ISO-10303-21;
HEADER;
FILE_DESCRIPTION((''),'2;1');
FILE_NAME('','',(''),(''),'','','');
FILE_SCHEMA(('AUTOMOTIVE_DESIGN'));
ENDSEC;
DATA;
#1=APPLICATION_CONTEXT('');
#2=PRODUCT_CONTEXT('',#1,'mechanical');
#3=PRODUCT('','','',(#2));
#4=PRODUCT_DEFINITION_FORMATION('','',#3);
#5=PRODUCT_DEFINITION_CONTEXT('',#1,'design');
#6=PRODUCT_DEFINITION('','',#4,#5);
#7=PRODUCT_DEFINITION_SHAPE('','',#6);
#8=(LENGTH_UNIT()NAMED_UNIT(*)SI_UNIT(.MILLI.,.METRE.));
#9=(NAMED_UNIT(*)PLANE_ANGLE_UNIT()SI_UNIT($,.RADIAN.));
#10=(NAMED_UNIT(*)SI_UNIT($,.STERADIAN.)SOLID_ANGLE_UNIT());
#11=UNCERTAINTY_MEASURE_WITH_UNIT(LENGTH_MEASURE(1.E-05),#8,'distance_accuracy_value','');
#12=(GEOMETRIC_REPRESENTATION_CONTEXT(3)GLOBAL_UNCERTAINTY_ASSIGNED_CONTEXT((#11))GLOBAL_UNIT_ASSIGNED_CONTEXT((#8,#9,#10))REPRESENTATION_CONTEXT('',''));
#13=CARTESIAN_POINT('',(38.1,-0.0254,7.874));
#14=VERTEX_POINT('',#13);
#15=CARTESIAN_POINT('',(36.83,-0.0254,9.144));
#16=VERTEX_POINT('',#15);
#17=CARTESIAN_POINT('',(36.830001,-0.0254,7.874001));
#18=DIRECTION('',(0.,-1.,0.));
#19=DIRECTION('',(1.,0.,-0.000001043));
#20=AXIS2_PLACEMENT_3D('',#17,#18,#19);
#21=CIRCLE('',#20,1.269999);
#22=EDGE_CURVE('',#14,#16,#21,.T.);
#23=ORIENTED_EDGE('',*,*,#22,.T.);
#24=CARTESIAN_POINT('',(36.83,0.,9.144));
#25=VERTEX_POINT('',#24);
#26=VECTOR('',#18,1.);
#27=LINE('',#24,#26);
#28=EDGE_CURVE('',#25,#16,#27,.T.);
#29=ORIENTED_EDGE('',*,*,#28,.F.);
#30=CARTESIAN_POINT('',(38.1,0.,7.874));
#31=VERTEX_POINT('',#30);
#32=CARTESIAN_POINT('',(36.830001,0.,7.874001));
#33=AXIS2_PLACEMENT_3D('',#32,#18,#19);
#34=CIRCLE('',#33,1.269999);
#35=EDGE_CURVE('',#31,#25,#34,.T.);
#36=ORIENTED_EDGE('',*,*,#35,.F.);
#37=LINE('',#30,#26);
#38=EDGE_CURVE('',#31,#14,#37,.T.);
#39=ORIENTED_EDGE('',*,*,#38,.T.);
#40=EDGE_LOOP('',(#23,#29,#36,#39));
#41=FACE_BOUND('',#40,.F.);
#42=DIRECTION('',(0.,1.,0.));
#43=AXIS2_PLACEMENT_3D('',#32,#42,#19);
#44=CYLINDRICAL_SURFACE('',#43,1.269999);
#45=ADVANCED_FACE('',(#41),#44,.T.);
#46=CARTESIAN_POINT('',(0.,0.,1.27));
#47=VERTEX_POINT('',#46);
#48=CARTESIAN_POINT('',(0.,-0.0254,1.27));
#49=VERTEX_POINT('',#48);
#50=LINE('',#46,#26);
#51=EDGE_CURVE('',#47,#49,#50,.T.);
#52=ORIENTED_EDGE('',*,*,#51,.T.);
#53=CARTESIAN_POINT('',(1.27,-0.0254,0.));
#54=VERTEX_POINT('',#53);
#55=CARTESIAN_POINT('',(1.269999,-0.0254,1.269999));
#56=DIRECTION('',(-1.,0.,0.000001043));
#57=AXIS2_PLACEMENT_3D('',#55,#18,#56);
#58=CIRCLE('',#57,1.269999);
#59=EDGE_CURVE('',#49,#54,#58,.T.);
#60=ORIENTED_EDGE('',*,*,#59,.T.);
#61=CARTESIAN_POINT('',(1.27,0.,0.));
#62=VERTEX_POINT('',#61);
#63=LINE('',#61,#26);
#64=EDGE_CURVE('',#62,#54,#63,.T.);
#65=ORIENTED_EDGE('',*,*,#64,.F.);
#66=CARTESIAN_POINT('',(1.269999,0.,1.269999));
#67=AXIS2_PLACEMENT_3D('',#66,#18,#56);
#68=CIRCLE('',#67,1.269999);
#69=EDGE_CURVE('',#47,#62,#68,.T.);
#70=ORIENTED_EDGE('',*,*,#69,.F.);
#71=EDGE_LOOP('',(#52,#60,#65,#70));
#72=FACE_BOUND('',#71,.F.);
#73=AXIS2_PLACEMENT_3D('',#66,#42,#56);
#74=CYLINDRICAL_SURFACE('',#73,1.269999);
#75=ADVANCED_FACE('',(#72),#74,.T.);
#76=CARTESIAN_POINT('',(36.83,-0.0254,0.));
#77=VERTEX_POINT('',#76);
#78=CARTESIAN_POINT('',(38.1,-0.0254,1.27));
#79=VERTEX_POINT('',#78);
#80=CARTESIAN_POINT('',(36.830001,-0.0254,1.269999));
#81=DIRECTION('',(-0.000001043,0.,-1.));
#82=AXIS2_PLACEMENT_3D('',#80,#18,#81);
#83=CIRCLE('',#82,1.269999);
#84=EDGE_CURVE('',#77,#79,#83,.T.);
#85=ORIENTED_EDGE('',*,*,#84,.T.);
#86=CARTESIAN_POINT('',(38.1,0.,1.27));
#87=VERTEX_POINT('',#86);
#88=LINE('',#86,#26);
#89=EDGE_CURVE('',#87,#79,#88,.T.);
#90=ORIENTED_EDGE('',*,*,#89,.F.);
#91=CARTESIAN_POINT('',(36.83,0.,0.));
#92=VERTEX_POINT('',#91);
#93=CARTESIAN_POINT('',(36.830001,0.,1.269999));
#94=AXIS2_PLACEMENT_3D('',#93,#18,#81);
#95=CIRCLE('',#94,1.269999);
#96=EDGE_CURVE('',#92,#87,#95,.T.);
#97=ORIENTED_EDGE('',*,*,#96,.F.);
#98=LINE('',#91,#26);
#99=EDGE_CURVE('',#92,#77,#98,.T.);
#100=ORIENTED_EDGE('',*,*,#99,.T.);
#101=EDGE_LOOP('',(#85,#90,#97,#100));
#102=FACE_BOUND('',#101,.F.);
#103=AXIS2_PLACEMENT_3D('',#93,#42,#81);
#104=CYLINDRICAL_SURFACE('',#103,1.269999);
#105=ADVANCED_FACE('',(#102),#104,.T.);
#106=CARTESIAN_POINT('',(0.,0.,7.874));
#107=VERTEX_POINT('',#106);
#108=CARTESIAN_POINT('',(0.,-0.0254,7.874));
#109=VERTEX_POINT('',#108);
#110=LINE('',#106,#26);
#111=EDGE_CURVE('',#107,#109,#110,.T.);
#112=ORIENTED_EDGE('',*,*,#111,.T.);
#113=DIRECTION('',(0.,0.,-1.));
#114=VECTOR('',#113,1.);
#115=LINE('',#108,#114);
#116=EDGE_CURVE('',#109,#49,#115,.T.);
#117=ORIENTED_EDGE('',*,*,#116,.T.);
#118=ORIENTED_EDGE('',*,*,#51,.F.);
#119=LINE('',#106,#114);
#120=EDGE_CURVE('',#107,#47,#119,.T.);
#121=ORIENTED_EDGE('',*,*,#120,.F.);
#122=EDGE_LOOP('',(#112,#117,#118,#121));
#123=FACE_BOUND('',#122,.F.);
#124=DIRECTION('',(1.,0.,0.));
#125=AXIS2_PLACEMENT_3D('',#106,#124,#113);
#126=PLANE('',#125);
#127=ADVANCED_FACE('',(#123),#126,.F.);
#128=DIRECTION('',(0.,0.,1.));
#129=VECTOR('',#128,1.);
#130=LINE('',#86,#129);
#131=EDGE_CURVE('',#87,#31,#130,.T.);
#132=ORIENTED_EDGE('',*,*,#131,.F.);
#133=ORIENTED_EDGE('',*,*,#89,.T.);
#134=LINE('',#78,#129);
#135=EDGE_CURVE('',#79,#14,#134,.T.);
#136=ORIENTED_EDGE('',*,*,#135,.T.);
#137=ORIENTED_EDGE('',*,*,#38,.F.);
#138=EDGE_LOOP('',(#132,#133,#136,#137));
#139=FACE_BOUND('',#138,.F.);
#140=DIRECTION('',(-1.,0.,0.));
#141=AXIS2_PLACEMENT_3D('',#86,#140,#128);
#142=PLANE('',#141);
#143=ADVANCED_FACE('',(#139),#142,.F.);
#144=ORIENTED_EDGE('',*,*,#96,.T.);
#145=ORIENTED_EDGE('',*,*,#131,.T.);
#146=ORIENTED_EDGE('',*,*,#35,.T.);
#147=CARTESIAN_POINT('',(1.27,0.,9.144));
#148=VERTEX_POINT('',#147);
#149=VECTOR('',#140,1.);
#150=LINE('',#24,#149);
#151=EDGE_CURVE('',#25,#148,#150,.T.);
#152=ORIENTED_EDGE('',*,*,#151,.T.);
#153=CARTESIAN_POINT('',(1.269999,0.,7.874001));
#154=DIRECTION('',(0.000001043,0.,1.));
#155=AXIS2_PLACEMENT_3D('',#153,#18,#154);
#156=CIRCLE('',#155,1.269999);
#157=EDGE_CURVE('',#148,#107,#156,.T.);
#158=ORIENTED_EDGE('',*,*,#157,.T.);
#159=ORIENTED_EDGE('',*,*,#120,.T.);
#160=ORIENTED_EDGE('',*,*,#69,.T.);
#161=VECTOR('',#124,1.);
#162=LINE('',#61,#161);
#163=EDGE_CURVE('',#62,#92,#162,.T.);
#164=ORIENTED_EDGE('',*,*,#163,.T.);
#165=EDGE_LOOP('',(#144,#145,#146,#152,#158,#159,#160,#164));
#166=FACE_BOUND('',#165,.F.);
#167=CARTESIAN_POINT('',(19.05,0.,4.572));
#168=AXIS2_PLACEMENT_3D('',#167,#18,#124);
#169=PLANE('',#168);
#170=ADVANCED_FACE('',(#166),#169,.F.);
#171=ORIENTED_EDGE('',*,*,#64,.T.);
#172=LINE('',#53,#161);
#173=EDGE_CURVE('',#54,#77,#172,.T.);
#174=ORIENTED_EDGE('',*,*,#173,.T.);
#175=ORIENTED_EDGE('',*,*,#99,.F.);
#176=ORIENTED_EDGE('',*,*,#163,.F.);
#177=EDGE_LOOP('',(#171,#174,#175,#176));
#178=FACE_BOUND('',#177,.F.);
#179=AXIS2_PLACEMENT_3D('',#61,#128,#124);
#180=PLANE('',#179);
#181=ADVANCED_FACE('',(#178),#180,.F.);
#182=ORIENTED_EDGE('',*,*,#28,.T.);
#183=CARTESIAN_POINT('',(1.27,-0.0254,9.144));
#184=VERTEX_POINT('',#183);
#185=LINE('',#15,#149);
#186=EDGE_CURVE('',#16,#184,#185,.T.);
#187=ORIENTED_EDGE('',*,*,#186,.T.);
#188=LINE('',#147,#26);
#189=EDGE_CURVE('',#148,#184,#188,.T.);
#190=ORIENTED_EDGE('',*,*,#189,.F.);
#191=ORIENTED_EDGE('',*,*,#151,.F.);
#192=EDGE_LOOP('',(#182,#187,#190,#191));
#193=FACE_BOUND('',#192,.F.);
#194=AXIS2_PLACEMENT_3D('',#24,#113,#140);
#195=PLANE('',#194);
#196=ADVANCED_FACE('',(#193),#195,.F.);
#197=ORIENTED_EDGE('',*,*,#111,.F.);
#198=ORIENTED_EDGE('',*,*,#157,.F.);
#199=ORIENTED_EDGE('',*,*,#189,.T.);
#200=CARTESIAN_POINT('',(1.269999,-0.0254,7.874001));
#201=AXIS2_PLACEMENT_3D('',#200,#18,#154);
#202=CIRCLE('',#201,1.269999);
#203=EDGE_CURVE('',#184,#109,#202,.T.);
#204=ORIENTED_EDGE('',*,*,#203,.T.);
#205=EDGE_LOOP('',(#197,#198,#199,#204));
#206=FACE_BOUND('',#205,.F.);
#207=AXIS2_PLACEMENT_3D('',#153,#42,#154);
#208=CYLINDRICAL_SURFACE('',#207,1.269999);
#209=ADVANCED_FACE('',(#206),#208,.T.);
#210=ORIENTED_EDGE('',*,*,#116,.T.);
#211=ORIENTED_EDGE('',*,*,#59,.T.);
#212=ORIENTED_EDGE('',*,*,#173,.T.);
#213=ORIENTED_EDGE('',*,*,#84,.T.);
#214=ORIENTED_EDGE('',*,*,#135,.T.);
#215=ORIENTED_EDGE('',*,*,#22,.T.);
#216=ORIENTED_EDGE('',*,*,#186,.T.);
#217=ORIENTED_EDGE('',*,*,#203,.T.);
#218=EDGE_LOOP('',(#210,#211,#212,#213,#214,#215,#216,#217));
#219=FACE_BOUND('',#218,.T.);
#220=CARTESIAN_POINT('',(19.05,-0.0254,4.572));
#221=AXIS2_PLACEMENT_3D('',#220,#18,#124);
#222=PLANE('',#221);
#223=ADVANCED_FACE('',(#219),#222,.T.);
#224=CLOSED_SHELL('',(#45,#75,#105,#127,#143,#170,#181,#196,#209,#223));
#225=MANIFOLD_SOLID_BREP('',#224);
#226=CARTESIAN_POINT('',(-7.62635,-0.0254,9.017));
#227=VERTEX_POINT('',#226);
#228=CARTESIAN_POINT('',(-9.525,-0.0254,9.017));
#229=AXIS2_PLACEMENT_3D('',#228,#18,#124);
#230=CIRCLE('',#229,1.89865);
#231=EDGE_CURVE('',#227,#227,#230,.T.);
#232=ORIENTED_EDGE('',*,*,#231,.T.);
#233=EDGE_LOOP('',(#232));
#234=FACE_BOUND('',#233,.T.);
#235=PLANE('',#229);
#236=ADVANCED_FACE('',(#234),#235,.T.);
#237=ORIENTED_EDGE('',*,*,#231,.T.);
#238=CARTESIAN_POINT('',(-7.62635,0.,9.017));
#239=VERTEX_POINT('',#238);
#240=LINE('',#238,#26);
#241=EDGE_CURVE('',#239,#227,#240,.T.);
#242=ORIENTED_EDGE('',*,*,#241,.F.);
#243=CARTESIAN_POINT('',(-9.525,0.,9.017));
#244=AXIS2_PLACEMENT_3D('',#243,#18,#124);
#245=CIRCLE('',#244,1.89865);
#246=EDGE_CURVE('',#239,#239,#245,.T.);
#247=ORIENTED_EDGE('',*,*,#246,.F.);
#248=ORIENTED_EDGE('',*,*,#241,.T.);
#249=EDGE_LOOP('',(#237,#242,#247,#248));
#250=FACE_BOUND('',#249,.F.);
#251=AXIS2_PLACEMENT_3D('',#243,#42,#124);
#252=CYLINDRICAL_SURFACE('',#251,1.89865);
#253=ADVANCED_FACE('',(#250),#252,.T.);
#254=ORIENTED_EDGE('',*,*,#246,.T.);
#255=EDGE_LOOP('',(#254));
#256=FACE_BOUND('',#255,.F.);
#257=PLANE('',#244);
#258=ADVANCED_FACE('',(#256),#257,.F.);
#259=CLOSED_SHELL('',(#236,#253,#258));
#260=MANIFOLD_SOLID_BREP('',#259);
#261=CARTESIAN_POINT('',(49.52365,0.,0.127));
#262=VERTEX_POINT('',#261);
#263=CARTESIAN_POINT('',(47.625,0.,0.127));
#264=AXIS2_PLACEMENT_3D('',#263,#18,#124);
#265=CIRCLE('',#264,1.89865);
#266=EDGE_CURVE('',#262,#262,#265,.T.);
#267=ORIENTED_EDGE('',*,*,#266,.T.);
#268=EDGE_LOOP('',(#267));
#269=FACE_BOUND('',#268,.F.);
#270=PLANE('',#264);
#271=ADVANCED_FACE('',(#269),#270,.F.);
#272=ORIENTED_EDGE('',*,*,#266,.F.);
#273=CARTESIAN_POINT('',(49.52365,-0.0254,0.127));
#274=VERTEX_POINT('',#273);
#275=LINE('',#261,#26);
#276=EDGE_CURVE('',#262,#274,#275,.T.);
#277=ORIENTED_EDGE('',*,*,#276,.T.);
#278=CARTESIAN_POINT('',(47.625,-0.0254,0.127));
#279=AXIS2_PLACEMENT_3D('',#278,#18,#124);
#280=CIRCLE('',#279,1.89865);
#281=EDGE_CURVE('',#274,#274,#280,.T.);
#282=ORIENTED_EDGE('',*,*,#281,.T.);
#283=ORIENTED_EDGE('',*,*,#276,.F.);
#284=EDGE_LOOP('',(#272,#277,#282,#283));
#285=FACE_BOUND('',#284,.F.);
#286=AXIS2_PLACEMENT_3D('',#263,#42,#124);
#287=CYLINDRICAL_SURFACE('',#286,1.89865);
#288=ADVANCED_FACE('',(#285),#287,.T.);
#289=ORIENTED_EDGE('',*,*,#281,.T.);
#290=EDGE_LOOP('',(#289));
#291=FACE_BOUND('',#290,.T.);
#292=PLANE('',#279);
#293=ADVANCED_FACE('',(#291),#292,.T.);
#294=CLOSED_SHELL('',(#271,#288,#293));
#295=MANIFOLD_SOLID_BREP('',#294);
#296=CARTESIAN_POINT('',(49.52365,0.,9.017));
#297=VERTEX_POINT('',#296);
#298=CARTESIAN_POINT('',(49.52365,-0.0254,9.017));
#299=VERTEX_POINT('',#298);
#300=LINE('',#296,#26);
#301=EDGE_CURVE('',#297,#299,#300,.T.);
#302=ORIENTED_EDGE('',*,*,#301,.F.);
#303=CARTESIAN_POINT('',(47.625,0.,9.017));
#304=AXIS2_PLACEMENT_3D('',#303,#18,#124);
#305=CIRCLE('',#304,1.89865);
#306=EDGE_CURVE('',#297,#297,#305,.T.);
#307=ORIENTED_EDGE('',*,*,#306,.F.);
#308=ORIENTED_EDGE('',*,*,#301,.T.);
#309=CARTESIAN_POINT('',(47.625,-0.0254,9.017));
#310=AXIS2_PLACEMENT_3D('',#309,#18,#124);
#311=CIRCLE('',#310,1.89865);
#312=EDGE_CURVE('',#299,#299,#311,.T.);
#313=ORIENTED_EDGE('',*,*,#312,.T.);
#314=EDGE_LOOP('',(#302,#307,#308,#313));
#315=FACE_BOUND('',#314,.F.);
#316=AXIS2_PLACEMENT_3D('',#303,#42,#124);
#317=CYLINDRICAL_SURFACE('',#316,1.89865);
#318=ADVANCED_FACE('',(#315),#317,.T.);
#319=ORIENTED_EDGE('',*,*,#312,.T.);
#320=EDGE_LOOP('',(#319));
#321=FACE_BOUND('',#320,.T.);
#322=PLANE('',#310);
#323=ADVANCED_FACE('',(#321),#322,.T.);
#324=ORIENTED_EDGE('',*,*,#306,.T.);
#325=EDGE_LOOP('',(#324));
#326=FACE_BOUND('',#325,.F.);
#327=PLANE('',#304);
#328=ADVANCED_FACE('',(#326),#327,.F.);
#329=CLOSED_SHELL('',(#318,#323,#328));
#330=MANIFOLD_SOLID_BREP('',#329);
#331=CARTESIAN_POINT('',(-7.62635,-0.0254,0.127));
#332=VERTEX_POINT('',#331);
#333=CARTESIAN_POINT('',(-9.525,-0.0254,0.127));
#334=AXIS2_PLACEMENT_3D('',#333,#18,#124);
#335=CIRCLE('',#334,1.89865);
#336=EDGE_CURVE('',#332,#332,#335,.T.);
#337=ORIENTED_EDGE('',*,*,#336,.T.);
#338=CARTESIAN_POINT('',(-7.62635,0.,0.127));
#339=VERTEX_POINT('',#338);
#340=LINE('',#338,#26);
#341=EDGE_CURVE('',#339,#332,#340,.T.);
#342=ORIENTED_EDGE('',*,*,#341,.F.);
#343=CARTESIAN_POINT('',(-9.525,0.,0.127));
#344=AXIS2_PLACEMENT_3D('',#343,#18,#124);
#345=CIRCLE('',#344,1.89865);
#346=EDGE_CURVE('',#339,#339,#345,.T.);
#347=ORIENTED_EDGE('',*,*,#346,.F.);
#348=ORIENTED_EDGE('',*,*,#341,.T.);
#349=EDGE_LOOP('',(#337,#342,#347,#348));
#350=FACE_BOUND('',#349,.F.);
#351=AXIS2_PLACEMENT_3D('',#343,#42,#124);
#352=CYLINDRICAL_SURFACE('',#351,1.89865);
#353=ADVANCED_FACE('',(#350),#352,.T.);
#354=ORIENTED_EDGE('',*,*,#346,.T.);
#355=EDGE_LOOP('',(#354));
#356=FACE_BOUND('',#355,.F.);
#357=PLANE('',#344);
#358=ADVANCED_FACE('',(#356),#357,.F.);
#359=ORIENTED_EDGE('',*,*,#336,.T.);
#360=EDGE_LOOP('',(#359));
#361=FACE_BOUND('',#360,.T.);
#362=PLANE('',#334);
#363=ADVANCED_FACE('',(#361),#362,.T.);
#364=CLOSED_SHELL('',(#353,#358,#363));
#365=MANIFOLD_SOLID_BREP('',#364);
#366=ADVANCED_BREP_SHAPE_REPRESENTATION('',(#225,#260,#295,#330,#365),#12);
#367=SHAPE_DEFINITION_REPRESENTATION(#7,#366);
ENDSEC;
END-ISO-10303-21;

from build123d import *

# Parameters (mm, degrees)
F0_R     = 1.89865
F1_DEPTH = 0.0254


with BuildPart() as f1:
    # F0 (on Front) → F1 (new body)
    with BuildSketch(Plane.XZ):
        with BuildLine():
            ThreePointArc((0, 1.27), (0.371974, 0.371974), (1.27, 0))
            Line((1.27, 0), (36.83, 0))
            ThreePointArc((36.83, 0), (37.728026, 0.371974), (38.1, 1.27))
            Line((38.1, 1.27), (38.1, 7.874))
            ThreePointArc((38.1, 7.874), (37.728026, 8.772026), (36.83, 9.144))
            Line((36.83, 9.144), (1.27, 9.144))
            ThreePointArc((1.27, 9.144), (0.371974, 8.772026), (0, 7.874))
            Line((0, 7.874), (0, 1.27))
        make_face()
        with Locations((-9.525, 9.017)):
            Circle(F0_R)
        with Locations((-9.525, 0.127)):
            Circle(F0_R)
        with Locations((47.625, 9.017)):
            Circle(F0_R)
        with Locations((47.625, 0.127)):
            Circle(F0_R)
    extrude(amount=F1_DEPTH)


solid = f1.part
